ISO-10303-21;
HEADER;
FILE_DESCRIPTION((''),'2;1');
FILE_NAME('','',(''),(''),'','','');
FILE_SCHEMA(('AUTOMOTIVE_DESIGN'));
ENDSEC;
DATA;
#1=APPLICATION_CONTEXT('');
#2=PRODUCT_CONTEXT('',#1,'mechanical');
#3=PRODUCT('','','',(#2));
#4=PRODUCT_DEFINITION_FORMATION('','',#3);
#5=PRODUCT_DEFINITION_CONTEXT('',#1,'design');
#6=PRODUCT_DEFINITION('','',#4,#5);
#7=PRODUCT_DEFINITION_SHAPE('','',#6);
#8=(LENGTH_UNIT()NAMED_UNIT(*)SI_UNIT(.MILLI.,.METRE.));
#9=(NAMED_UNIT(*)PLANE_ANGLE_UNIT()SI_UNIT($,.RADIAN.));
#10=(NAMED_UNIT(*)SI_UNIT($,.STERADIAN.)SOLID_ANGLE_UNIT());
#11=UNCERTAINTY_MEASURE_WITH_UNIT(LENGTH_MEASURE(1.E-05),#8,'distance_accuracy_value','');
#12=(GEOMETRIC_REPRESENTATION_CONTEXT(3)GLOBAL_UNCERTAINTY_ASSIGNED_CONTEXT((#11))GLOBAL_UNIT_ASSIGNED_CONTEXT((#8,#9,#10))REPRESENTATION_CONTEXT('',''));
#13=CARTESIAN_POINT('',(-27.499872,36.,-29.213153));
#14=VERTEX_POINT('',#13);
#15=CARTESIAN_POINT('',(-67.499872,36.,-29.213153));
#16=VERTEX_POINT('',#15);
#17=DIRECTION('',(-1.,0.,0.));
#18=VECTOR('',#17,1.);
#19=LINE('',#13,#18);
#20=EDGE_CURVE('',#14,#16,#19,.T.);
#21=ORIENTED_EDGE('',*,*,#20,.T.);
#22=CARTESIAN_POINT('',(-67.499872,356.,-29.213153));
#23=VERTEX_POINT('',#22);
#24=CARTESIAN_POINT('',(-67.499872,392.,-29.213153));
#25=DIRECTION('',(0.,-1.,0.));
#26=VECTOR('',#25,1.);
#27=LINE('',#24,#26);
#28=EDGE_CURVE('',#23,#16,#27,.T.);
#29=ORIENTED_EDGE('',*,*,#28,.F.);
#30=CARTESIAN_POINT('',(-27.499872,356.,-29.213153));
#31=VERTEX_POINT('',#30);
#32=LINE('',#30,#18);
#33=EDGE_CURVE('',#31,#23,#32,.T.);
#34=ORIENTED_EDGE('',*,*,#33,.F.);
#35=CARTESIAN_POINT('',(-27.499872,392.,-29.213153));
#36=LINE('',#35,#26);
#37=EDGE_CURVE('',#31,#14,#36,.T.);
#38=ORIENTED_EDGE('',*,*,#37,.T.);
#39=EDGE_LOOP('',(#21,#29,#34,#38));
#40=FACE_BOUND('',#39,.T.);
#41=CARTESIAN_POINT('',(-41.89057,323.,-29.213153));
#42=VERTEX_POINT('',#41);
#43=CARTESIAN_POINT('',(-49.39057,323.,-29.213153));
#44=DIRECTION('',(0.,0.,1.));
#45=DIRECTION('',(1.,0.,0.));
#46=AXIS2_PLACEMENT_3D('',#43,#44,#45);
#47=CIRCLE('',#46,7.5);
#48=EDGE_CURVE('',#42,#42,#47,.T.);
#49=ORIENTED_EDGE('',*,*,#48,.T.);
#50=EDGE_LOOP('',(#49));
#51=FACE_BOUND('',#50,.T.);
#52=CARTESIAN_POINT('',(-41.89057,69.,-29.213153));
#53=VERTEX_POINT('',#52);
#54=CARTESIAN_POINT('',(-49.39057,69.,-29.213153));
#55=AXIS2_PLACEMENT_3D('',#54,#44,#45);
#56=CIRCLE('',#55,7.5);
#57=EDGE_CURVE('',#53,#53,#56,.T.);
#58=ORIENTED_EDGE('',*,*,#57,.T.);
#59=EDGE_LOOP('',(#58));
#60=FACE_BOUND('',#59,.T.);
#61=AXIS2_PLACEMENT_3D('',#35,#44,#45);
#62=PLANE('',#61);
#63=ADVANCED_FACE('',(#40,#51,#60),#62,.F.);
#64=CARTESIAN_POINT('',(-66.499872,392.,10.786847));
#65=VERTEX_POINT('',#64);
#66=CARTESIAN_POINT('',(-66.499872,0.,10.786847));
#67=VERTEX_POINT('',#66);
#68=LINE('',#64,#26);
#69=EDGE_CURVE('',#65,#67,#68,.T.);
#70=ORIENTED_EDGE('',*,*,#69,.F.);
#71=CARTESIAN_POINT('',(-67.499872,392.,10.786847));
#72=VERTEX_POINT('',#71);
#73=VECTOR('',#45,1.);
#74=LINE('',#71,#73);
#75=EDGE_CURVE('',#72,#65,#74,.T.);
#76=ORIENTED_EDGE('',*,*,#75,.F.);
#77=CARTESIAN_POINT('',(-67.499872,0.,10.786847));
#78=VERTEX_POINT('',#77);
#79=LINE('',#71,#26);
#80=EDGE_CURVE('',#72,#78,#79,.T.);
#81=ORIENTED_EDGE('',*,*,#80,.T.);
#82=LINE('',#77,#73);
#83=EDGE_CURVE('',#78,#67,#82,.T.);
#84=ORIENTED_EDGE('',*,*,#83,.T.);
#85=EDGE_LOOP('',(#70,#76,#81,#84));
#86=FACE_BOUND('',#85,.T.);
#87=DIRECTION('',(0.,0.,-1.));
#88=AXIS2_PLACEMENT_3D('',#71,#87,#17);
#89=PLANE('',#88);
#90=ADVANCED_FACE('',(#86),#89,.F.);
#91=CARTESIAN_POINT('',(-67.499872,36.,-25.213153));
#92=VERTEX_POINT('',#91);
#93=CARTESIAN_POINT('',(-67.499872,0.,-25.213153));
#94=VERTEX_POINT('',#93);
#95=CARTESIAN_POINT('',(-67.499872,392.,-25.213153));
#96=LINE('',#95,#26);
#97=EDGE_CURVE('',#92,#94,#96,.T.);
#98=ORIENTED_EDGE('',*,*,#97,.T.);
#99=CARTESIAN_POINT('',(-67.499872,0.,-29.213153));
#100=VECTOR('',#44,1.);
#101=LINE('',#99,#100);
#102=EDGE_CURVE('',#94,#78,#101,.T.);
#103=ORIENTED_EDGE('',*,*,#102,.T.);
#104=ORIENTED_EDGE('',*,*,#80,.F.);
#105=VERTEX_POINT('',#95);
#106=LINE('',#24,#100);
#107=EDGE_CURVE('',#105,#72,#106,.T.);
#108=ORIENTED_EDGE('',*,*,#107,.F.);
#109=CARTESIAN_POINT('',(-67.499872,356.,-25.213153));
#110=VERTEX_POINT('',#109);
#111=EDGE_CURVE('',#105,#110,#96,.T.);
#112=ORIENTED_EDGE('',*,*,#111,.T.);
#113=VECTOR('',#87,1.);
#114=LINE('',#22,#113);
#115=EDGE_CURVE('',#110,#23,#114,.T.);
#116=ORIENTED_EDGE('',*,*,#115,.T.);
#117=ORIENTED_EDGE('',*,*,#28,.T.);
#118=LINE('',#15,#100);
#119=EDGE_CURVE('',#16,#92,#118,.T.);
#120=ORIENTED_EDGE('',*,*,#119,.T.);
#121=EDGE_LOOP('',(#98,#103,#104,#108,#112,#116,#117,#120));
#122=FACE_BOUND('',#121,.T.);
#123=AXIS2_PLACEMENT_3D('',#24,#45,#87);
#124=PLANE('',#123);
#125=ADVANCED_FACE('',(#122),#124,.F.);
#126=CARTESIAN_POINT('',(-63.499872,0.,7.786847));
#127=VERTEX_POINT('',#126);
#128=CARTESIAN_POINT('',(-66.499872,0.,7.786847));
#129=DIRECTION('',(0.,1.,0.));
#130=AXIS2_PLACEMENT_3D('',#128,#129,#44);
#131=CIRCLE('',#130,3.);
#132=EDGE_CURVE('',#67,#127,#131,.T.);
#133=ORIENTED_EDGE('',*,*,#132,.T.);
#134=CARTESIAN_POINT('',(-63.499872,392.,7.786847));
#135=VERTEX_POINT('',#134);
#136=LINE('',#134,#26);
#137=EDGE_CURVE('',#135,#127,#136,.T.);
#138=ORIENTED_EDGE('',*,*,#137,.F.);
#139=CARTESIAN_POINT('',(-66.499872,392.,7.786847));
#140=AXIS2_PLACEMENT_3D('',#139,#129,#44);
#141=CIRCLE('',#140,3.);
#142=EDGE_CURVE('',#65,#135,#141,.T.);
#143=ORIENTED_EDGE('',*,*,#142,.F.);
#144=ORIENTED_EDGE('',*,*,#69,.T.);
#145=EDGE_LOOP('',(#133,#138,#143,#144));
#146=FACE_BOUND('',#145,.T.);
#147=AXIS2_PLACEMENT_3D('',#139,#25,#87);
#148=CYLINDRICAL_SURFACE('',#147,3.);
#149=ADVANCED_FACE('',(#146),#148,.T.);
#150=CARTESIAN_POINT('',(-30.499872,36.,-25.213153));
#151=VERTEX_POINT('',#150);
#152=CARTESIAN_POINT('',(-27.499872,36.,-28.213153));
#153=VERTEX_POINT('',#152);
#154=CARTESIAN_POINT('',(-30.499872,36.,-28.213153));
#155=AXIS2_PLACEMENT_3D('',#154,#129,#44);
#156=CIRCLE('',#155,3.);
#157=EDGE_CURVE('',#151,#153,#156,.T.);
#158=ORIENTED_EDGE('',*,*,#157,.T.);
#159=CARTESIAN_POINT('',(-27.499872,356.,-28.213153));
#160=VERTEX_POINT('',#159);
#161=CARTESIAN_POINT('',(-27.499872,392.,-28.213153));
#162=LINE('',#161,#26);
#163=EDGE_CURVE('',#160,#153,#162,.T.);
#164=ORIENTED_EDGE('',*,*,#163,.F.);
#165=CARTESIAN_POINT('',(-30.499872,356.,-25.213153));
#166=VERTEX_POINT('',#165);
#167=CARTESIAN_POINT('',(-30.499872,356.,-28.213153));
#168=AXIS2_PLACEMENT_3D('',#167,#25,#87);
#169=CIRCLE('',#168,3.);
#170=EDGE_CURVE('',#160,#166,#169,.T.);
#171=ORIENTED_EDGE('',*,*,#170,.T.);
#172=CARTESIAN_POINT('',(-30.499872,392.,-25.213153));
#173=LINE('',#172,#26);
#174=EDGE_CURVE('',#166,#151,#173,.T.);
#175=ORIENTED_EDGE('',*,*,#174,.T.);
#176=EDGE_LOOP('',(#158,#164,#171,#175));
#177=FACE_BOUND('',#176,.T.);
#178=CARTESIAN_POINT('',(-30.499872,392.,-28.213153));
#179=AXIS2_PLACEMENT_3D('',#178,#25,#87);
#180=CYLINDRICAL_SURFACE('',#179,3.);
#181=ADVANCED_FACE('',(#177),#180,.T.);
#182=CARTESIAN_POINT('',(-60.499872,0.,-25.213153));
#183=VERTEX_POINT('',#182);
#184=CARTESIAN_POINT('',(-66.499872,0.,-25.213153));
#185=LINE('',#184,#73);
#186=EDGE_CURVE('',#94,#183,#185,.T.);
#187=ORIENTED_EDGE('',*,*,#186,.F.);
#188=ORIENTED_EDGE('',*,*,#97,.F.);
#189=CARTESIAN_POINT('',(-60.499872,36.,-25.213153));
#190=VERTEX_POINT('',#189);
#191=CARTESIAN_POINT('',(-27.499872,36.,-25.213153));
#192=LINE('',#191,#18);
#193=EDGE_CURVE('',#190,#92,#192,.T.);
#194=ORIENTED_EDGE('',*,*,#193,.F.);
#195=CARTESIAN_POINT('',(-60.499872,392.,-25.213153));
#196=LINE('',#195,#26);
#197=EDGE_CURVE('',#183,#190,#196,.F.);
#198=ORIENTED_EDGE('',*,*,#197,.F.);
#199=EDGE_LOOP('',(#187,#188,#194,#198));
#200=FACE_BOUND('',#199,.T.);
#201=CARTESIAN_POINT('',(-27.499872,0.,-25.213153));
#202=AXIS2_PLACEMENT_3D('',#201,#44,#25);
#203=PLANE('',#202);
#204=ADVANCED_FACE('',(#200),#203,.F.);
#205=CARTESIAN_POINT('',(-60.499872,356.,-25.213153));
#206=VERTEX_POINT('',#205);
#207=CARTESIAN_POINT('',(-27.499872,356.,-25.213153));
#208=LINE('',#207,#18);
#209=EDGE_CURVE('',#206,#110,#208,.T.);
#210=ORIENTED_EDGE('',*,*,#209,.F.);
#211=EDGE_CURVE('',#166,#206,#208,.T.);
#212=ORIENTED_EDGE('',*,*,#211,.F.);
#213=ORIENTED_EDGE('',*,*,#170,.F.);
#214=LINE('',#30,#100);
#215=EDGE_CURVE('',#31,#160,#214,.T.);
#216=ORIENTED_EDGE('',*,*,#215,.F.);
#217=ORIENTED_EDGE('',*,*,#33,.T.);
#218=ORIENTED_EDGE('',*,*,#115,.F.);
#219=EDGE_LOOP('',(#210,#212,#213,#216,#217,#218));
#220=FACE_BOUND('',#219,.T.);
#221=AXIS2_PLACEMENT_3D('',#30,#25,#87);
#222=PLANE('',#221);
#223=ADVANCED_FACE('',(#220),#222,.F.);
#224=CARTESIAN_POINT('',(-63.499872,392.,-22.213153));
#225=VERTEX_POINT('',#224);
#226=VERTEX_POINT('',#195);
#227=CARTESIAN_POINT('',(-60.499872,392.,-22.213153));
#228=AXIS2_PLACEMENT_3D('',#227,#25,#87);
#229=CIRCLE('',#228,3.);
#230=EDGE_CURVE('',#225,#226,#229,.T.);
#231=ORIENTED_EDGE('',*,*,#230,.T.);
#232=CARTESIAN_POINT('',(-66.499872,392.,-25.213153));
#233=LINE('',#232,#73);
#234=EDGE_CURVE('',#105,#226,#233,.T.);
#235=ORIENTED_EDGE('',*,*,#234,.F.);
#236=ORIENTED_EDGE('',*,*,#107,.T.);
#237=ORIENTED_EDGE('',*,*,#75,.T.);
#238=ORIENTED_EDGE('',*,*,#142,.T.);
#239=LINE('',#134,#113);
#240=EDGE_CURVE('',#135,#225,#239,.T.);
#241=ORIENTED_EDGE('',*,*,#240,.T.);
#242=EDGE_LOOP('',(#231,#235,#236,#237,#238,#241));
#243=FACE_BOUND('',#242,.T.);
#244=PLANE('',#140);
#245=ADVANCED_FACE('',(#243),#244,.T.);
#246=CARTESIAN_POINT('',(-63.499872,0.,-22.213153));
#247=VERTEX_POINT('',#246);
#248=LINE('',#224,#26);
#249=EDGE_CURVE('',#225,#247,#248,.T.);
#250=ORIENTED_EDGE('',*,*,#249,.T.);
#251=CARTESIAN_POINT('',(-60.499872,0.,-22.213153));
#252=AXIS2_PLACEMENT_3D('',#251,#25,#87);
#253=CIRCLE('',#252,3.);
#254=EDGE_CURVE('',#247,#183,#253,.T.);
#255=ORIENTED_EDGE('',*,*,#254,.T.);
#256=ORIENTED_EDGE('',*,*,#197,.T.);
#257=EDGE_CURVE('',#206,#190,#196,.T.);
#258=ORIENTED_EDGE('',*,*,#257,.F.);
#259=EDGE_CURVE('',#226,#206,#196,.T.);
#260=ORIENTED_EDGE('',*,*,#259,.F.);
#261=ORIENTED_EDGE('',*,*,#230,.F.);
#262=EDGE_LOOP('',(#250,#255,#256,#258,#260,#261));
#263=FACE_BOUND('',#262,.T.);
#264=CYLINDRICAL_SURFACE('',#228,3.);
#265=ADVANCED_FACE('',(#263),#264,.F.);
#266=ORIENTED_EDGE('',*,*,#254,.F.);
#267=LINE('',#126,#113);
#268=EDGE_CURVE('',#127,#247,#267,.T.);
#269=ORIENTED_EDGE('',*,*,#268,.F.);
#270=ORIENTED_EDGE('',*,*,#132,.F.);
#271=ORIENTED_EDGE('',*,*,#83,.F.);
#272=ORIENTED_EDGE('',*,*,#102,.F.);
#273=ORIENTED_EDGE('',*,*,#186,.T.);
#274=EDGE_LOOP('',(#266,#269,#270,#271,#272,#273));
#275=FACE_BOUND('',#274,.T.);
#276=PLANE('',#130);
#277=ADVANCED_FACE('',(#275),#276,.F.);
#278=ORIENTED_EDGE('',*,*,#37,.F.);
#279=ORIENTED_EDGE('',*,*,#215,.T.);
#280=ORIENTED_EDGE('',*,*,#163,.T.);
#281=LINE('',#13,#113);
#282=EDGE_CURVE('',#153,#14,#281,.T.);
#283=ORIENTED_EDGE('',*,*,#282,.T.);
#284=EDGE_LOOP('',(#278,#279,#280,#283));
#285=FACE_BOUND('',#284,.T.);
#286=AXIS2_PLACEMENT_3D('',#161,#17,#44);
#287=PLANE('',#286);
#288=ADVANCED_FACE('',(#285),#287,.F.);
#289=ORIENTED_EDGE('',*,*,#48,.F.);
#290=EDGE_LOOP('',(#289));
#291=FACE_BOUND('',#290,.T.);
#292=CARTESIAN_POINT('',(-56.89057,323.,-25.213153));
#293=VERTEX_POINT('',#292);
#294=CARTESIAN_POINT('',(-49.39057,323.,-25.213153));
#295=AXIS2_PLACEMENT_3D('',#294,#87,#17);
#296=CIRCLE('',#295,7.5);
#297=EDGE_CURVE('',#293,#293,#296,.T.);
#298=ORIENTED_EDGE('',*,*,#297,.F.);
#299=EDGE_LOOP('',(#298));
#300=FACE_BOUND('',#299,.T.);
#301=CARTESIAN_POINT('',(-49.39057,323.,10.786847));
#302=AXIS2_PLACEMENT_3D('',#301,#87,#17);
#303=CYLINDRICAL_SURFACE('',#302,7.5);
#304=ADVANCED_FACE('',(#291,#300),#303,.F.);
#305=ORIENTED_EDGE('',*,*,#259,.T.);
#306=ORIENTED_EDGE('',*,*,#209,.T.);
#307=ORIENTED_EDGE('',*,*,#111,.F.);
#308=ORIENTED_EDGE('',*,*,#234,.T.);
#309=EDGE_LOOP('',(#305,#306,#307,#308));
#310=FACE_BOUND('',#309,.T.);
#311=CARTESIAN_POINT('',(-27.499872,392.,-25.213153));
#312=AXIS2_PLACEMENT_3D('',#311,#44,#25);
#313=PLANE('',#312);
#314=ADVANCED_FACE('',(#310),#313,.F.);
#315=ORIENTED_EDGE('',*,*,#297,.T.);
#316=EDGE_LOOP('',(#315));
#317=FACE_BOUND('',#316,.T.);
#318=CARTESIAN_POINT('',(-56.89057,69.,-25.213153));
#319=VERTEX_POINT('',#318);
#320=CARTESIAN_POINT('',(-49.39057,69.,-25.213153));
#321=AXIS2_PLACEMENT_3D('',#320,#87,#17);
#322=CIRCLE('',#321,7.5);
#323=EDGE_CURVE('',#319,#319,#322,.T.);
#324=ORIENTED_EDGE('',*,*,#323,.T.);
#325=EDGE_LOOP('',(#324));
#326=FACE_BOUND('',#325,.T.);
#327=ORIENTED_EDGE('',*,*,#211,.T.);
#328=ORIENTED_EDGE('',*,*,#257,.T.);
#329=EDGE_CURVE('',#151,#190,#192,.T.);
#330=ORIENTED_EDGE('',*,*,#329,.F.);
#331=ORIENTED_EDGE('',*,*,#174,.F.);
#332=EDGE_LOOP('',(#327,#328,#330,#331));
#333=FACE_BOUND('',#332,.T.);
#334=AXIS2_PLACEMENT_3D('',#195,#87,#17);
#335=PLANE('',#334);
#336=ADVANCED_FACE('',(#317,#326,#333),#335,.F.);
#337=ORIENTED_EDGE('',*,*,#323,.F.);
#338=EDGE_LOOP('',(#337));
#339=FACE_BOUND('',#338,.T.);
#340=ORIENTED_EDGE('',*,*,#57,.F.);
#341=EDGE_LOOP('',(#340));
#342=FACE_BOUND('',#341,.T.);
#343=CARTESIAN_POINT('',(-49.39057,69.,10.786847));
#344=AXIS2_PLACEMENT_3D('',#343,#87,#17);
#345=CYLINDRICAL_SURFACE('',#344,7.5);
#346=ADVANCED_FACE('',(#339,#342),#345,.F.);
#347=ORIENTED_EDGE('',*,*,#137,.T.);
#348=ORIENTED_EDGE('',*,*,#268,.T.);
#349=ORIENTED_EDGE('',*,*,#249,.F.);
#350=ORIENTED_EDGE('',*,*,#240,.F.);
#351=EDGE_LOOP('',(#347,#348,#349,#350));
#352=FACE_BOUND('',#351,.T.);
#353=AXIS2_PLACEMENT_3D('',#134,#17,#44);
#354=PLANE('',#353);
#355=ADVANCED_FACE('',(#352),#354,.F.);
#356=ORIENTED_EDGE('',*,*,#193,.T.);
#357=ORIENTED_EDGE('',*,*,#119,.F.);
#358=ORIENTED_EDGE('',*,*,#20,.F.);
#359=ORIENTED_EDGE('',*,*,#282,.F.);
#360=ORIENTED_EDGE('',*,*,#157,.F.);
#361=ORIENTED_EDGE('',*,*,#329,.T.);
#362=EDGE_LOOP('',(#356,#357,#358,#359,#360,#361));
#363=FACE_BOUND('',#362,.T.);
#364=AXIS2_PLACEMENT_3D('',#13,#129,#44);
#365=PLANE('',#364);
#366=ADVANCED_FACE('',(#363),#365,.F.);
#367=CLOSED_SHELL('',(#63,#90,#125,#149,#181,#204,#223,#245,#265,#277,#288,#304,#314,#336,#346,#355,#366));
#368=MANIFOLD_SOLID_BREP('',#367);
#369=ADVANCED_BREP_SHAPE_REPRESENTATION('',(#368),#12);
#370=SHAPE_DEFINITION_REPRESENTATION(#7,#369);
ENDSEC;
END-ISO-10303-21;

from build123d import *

# Parameters (mm, degrees)
BOSS_EXTRUDE1_DEPTH     = 392
CUT_EXTRUDE1_DEPTH      = 396.116955248
CUT_EXTRUDE1_DEPTH_BACK = 396.116955248
SKETCH2_W               = 4
SKETCH2_H               = 36
CUT_EXTRUDE2_DEPTH      = 400.775227771
CUT_EXTRUDE2_DEPTH_BACK = 400.775227771
SKETCH3_R               = 7.5


with BuildPart() as part:
    # Sketch1 → Boss-Extrude1 (new body)
    with BuildSketch(Plane(origin=(0, 0, 0), x_dir=(1, 0, 0), z_dir=(0, 1, 0))):
        with BuildLine():
            Line((-27.499872145, 29.213153277), (-67.499872145, 29.213153277))
            Line((-67.499872145, 29.213153277), (-67.499872145, -10.786846723))
            Line((-67.499872145, -10.786846723), (-66.499872145, -10.786846723))
            ThreePointArc((-66.499872145, -10.786846723), (-64.378551801, -9.908167067), (-63.499872145, -7.786846723))
            Line((-63.499872145, -7.786846723), (-63.499872145, 22.213153277))
            ThreePointArc((-63.499872145, 22.213153277), (-62.621192489, 24.334473621), (-60.499872145, 25.213153277))
            Line((-60.499872145, 25.213153277), (-30.499872145, 25.213153277))
            ThreePointArc((-30.499872145, 25.213153277), (-28.378551801, 26.091832933), (-27.499872145, 28.213153277))
            Line((-27.499872145, 28.213153277), (-27.499872145, 29.213153277))
        make_face()
    extrude(amount=BOSS_EXTRUDE1_DEPTH)

    # Sketch2 → Cut-Extrude1 (cut, two sides: drawn at the far end of the back side and taken through both)
    with BuildSketch(Plane.ZY.offset(67.499872145).offset(-CUT_EXTRUDE1_DEPTH_BACK)):
        with Locations((-27.213153277, 374)):
            Rectangle(SKETCH2_W, SKETCH2_H)
        with Locations((-27.213153277, 18)):
            Rectangle(SKETCH2_W, SKETCH2_H)
    extrude(amount=CUT_EXTRUDE1_DEPTH + CUT_EXTRUDE1_DEPTH_BACK, mode=Mode.SUBTRACT)

    # Sketch3 → Cut-Extrude2 (cut, two sides: drawn at the far end of the back side and taken through both)
    with BuildSketch(Plane(origin=(0, 0, -29.213153277), x_dir=(-1, 0, 0), z_dir=(0, 0, -1)).offset(-CUT_EXTRUDE2_DEPTH_BACK)):
        with Locations((49.390570274, 323)):
            Circle(SKETCH3_R)
        with Locations((49.390570274, 69)):
            Circle(SKETCH3_R)
    extrude(amount=CUT_EXTRUDE2_DEPTH + CUT_EXTRUDE2_DEPTH_BACK, mode=Mode.SUBTRACT)


solid = part.part
